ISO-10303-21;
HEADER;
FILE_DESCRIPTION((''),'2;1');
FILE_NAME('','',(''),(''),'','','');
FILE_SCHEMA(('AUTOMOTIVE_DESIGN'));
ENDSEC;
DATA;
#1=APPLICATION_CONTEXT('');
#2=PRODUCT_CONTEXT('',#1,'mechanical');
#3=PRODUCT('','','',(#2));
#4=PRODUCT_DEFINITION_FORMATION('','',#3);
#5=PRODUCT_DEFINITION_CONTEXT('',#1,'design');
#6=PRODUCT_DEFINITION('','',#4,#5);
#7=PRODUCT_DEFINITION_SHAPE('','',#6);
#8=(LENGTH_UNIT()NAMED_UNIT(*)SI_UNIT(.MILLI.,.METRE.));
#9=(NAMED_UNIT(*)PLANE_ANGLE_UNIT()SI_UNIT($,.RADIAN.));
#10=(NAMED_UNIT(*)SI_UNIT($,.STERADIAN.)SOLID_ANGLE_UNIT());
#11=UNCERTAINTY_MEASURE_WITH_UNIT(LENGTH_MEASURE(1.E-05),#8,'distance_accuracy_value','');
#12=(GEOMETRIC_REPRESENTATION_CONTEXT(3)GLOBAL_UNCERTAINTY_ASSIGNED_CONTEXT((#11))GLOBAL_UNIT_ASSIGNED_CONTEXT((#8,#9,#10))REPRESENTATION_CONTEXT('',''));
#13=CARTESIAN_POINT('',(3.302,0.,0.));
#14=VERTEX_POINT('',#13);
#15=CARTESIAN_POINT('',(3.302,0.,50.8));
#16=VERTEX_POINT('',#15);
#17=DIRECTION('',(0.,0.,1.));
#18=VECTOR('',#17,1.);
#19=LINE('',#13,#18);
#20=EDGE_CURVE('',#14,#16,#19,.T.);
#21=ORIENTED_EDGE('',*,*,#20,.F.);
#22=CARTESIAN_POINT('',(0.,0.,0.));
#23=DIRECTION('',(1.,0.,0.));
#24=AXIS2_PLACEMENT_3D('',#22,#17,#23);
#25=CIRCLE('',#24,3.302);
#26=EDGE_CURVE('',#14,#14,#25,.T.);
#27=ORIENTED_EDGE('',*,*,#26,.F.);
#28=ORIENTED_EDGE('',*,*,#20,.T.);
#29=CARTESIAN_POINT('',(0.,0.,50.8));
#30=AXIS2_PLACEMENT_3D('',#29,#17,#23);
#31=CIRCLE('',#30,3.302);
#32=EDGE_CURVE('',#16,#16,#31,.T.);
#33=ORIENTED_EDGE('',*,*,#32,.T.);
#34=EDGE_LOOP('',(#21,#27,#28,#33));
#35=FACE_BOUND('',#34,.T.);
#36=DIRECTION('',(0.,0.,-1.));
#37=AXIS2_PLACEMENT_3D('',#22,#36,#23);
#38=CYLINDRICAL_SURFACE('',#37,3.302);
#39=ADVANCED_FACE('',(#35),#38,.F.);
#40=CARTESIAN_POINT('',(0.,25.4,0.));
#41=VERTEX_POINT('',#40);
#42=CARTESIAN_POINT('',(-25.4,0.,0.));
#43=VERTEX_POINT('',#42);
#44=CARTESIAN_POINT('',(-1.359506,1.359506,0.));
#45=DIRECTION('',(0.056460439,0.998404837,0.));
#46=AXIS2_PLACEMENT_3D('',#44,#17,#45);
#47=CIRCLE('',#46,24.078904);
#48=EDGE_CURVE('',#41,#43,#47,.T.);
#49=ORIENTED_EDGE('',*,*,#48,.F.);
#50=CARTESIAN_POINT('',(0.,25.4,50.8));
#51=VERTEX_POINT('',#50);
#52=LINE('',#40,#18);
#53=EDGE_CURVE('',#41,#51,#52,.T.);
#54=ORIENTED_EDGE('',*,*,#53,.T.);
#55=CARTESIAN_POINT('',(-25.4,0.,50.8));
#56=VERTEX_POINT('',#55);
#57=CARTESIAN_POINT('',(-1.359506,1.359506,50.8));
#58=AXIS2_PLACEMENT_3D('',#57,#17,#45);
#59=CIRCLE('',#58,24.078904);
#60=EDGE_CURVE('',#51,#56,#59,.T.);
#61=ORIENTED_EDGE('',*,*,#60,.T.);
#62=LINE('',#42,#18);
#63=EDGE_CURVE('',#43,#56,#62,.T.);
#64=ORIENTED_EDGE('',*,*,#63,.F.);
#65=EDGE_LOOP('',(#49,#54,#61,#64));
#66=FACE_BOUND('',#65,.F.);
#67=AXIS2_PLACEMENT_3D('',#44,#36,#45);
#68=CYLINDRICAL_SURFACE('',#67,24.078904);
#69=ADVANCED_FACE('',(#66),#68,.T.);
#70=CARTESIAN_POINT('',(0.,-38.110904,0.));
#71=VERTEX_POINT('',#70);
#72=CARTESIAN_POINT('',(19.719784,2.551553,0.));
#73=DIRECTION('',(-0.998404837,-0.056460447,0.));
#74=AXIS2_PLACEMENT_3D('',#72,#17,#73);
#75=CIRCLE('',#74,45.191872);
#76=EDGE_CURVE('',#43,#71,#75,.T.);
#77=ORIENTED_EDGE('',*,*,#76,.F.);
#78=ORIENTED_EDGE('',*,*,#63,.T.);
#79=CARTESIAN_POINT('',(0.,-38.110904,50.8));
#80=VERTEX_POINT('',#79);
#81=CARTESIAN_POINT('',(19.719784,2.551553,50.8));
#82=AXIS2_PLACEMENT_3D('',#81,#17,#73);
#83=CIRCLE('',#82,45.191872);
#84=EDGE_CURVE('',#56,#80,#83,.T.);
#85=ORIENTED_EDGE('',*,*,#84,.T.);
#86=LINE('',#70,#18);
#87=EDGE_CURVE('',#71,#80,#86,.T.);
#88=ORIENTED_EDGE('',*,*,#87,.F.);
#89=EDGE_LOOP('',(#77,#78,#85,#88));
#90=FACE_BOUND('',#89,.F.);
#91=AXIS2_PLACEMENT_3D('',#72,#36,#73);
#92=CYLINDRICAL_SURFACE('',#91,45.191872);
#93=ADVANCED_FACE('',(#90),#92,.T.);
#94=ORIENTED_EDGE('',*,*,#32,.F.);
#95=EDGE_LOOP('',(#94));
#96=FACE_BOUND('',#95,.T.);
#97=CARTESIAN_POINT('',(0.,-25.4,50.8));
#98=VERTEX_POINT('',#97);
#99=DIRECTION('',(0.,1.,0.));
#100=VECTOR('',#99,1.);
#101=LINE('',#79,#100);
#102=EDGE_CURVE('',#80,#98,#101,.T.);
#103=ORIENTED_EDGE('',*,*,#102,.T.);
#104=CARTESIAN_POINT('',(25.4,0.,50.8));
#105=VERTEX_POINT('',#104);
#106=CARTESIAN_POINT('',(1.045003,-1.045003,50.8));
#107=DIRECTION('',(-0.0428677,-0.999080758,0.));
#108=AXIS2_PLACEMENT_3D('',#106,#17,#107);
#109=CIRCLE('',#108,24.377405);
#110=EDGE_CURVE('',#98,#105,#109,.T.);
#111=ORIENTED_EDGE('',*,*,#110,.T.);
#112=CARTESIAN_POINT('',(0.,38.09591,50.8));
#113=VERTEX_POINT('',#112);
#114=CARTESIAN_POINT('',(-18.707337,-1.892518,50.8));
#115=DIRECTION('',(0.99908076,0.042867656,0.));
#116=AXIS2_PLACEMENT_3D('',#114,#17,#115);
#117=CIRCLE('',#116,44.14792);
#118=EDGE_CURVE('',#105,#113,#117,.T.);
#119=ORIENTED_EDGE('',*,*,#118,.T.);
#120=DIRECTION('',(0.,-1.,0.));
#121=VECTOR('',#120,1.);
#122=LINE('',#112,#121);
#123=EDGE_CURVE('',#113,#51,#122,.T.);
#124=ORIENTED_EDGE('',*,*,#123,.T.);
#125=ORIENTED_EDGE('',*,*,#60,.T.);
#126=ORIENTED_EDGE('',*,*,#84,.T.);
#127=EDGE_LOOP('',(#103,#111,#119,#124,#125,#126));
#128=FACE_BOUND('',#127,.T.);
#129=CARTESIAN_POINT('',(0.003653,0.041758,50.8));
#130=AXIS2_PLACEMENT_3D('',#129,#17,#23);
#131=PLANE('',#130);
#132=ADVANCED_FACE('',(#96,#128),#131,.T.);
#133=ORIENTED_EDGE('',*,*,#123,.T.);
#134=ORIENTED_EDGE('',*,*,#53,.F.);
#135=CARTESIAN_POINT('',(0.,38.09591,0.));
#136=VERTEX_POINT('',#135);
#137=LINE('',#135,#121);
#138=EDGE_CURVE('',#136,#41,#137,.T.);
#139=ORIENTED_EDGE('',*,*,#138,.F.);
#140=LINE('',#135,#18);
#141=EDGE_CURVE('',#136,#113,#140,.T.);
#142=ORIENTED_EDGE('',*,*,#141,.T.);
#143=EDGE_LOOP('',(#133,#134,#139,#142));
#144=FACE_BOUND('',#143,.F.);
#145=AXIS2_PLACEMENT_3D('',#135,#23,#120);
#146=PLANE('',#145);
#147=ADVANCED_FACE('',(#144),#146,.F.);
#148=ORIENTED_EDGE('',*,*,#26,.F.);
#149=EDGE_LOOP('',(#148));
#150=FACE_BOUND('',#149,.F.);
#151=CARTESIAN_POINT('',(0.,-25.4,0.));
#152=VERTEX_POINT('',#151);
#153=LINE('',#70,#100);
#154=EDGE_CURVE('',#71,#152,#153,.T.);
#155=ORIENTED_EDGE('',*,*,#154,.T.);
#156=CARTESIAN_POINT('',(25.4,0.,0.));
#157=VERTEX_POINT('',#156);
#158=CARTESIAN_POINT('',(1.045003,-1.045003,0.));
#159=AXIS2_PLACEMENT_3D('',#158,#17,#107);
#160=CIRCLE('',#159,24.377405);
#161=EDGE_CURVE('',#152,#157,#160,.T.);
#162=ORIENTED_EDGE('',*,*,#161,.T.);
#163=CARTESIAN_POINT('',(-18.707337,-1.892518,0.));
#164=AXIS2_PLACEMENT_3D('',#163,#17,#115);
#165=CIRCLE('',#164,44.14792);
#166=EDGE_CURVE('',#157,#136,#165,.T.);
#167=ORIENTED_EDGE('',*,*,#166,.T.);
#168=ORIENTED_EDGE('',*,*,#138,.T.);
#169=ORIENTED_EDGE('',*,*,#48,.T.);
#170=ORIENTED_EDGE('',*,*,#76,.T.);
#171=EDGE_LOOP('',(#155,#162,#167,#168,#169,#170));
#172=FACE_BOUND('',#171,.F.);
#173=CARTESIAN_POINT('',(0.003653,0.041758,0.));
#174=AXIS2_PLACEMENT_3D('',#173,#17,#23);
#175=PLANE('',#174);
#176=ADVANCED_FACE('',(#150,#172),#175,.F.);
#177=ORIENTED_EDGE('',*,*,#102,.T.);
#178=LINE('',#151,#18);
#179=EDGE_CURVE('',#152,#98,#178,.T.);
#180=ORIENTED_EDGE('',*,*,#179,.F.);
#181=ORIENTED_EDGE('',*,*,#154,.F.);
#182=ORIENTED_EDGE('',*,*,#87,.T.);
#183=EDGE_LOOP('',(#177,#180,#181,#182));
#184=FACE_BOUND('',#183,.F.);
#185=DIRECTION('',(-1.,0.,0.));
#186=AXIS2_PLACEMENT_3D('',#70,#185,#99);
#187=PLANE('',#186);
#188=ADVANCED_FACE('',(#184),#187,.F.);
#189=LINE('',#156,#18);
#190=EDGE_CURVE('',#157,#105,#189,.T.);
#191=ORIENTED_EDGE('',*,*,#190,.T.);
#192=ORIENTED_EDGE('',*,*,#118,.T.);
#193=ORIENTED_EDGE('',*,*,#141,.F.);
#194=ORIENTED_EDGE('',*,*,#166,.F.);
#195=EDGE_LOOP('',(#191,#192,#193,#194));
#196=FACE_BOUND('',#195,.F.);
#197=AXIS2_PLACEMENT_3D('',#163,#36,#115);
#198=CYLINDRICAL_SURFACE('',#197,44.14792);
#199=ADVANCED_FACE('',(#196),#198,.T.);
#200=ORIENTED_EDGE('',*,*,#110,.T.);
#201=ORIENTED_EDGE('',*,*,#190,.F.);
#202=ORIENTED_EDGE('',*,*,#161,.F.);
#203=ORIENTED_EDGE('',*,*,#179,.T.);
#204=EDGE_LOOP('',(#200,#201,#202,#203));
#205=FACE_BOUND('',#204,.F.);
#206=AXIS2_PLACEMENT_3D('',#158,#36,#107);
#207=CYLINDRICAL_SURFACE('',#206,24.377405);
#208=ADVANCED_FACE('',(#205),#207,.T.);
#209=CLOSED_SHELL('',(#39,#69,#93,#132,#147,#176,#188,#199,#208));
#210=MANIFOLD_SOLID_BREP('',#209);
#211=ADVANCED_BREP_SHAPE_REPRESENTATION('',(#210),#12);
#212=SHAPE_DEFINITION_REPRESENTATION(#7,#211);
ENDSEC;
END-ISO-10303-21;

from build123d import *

# Parameters (mm, degrees)
F0_R     = 3.302
F1_DEPTH = 50.8


with BuildPart() as f1:
    # F0 (on Top) → F1 (new body)
    with BuildSketch(Plane.XY):
        with BuildLine():
            Line((0, 38.09591), (0, 25.4))
            ThreePointArc((0, 25.4), (-18.385862, 18.385862), (-25.4, 0))
            ThreePointArc((-25.4, 0), (-17.885437, -22.511421), (0, -38.110904))
            Line((0, -38.110904), (0, -25.4))
            ThreePointArc((0, -25.4), (18.282432, -18.282432), (25.4, 0))
            ThreePointArc((25.4, 0), (18.024739, 22.598162), (0, 38.09591))
        make_face()
        Circle(F0_R, mode=Mode.SUBTRACT)
    extrude(amount=F1_DEPTH)


solid = f1.part
